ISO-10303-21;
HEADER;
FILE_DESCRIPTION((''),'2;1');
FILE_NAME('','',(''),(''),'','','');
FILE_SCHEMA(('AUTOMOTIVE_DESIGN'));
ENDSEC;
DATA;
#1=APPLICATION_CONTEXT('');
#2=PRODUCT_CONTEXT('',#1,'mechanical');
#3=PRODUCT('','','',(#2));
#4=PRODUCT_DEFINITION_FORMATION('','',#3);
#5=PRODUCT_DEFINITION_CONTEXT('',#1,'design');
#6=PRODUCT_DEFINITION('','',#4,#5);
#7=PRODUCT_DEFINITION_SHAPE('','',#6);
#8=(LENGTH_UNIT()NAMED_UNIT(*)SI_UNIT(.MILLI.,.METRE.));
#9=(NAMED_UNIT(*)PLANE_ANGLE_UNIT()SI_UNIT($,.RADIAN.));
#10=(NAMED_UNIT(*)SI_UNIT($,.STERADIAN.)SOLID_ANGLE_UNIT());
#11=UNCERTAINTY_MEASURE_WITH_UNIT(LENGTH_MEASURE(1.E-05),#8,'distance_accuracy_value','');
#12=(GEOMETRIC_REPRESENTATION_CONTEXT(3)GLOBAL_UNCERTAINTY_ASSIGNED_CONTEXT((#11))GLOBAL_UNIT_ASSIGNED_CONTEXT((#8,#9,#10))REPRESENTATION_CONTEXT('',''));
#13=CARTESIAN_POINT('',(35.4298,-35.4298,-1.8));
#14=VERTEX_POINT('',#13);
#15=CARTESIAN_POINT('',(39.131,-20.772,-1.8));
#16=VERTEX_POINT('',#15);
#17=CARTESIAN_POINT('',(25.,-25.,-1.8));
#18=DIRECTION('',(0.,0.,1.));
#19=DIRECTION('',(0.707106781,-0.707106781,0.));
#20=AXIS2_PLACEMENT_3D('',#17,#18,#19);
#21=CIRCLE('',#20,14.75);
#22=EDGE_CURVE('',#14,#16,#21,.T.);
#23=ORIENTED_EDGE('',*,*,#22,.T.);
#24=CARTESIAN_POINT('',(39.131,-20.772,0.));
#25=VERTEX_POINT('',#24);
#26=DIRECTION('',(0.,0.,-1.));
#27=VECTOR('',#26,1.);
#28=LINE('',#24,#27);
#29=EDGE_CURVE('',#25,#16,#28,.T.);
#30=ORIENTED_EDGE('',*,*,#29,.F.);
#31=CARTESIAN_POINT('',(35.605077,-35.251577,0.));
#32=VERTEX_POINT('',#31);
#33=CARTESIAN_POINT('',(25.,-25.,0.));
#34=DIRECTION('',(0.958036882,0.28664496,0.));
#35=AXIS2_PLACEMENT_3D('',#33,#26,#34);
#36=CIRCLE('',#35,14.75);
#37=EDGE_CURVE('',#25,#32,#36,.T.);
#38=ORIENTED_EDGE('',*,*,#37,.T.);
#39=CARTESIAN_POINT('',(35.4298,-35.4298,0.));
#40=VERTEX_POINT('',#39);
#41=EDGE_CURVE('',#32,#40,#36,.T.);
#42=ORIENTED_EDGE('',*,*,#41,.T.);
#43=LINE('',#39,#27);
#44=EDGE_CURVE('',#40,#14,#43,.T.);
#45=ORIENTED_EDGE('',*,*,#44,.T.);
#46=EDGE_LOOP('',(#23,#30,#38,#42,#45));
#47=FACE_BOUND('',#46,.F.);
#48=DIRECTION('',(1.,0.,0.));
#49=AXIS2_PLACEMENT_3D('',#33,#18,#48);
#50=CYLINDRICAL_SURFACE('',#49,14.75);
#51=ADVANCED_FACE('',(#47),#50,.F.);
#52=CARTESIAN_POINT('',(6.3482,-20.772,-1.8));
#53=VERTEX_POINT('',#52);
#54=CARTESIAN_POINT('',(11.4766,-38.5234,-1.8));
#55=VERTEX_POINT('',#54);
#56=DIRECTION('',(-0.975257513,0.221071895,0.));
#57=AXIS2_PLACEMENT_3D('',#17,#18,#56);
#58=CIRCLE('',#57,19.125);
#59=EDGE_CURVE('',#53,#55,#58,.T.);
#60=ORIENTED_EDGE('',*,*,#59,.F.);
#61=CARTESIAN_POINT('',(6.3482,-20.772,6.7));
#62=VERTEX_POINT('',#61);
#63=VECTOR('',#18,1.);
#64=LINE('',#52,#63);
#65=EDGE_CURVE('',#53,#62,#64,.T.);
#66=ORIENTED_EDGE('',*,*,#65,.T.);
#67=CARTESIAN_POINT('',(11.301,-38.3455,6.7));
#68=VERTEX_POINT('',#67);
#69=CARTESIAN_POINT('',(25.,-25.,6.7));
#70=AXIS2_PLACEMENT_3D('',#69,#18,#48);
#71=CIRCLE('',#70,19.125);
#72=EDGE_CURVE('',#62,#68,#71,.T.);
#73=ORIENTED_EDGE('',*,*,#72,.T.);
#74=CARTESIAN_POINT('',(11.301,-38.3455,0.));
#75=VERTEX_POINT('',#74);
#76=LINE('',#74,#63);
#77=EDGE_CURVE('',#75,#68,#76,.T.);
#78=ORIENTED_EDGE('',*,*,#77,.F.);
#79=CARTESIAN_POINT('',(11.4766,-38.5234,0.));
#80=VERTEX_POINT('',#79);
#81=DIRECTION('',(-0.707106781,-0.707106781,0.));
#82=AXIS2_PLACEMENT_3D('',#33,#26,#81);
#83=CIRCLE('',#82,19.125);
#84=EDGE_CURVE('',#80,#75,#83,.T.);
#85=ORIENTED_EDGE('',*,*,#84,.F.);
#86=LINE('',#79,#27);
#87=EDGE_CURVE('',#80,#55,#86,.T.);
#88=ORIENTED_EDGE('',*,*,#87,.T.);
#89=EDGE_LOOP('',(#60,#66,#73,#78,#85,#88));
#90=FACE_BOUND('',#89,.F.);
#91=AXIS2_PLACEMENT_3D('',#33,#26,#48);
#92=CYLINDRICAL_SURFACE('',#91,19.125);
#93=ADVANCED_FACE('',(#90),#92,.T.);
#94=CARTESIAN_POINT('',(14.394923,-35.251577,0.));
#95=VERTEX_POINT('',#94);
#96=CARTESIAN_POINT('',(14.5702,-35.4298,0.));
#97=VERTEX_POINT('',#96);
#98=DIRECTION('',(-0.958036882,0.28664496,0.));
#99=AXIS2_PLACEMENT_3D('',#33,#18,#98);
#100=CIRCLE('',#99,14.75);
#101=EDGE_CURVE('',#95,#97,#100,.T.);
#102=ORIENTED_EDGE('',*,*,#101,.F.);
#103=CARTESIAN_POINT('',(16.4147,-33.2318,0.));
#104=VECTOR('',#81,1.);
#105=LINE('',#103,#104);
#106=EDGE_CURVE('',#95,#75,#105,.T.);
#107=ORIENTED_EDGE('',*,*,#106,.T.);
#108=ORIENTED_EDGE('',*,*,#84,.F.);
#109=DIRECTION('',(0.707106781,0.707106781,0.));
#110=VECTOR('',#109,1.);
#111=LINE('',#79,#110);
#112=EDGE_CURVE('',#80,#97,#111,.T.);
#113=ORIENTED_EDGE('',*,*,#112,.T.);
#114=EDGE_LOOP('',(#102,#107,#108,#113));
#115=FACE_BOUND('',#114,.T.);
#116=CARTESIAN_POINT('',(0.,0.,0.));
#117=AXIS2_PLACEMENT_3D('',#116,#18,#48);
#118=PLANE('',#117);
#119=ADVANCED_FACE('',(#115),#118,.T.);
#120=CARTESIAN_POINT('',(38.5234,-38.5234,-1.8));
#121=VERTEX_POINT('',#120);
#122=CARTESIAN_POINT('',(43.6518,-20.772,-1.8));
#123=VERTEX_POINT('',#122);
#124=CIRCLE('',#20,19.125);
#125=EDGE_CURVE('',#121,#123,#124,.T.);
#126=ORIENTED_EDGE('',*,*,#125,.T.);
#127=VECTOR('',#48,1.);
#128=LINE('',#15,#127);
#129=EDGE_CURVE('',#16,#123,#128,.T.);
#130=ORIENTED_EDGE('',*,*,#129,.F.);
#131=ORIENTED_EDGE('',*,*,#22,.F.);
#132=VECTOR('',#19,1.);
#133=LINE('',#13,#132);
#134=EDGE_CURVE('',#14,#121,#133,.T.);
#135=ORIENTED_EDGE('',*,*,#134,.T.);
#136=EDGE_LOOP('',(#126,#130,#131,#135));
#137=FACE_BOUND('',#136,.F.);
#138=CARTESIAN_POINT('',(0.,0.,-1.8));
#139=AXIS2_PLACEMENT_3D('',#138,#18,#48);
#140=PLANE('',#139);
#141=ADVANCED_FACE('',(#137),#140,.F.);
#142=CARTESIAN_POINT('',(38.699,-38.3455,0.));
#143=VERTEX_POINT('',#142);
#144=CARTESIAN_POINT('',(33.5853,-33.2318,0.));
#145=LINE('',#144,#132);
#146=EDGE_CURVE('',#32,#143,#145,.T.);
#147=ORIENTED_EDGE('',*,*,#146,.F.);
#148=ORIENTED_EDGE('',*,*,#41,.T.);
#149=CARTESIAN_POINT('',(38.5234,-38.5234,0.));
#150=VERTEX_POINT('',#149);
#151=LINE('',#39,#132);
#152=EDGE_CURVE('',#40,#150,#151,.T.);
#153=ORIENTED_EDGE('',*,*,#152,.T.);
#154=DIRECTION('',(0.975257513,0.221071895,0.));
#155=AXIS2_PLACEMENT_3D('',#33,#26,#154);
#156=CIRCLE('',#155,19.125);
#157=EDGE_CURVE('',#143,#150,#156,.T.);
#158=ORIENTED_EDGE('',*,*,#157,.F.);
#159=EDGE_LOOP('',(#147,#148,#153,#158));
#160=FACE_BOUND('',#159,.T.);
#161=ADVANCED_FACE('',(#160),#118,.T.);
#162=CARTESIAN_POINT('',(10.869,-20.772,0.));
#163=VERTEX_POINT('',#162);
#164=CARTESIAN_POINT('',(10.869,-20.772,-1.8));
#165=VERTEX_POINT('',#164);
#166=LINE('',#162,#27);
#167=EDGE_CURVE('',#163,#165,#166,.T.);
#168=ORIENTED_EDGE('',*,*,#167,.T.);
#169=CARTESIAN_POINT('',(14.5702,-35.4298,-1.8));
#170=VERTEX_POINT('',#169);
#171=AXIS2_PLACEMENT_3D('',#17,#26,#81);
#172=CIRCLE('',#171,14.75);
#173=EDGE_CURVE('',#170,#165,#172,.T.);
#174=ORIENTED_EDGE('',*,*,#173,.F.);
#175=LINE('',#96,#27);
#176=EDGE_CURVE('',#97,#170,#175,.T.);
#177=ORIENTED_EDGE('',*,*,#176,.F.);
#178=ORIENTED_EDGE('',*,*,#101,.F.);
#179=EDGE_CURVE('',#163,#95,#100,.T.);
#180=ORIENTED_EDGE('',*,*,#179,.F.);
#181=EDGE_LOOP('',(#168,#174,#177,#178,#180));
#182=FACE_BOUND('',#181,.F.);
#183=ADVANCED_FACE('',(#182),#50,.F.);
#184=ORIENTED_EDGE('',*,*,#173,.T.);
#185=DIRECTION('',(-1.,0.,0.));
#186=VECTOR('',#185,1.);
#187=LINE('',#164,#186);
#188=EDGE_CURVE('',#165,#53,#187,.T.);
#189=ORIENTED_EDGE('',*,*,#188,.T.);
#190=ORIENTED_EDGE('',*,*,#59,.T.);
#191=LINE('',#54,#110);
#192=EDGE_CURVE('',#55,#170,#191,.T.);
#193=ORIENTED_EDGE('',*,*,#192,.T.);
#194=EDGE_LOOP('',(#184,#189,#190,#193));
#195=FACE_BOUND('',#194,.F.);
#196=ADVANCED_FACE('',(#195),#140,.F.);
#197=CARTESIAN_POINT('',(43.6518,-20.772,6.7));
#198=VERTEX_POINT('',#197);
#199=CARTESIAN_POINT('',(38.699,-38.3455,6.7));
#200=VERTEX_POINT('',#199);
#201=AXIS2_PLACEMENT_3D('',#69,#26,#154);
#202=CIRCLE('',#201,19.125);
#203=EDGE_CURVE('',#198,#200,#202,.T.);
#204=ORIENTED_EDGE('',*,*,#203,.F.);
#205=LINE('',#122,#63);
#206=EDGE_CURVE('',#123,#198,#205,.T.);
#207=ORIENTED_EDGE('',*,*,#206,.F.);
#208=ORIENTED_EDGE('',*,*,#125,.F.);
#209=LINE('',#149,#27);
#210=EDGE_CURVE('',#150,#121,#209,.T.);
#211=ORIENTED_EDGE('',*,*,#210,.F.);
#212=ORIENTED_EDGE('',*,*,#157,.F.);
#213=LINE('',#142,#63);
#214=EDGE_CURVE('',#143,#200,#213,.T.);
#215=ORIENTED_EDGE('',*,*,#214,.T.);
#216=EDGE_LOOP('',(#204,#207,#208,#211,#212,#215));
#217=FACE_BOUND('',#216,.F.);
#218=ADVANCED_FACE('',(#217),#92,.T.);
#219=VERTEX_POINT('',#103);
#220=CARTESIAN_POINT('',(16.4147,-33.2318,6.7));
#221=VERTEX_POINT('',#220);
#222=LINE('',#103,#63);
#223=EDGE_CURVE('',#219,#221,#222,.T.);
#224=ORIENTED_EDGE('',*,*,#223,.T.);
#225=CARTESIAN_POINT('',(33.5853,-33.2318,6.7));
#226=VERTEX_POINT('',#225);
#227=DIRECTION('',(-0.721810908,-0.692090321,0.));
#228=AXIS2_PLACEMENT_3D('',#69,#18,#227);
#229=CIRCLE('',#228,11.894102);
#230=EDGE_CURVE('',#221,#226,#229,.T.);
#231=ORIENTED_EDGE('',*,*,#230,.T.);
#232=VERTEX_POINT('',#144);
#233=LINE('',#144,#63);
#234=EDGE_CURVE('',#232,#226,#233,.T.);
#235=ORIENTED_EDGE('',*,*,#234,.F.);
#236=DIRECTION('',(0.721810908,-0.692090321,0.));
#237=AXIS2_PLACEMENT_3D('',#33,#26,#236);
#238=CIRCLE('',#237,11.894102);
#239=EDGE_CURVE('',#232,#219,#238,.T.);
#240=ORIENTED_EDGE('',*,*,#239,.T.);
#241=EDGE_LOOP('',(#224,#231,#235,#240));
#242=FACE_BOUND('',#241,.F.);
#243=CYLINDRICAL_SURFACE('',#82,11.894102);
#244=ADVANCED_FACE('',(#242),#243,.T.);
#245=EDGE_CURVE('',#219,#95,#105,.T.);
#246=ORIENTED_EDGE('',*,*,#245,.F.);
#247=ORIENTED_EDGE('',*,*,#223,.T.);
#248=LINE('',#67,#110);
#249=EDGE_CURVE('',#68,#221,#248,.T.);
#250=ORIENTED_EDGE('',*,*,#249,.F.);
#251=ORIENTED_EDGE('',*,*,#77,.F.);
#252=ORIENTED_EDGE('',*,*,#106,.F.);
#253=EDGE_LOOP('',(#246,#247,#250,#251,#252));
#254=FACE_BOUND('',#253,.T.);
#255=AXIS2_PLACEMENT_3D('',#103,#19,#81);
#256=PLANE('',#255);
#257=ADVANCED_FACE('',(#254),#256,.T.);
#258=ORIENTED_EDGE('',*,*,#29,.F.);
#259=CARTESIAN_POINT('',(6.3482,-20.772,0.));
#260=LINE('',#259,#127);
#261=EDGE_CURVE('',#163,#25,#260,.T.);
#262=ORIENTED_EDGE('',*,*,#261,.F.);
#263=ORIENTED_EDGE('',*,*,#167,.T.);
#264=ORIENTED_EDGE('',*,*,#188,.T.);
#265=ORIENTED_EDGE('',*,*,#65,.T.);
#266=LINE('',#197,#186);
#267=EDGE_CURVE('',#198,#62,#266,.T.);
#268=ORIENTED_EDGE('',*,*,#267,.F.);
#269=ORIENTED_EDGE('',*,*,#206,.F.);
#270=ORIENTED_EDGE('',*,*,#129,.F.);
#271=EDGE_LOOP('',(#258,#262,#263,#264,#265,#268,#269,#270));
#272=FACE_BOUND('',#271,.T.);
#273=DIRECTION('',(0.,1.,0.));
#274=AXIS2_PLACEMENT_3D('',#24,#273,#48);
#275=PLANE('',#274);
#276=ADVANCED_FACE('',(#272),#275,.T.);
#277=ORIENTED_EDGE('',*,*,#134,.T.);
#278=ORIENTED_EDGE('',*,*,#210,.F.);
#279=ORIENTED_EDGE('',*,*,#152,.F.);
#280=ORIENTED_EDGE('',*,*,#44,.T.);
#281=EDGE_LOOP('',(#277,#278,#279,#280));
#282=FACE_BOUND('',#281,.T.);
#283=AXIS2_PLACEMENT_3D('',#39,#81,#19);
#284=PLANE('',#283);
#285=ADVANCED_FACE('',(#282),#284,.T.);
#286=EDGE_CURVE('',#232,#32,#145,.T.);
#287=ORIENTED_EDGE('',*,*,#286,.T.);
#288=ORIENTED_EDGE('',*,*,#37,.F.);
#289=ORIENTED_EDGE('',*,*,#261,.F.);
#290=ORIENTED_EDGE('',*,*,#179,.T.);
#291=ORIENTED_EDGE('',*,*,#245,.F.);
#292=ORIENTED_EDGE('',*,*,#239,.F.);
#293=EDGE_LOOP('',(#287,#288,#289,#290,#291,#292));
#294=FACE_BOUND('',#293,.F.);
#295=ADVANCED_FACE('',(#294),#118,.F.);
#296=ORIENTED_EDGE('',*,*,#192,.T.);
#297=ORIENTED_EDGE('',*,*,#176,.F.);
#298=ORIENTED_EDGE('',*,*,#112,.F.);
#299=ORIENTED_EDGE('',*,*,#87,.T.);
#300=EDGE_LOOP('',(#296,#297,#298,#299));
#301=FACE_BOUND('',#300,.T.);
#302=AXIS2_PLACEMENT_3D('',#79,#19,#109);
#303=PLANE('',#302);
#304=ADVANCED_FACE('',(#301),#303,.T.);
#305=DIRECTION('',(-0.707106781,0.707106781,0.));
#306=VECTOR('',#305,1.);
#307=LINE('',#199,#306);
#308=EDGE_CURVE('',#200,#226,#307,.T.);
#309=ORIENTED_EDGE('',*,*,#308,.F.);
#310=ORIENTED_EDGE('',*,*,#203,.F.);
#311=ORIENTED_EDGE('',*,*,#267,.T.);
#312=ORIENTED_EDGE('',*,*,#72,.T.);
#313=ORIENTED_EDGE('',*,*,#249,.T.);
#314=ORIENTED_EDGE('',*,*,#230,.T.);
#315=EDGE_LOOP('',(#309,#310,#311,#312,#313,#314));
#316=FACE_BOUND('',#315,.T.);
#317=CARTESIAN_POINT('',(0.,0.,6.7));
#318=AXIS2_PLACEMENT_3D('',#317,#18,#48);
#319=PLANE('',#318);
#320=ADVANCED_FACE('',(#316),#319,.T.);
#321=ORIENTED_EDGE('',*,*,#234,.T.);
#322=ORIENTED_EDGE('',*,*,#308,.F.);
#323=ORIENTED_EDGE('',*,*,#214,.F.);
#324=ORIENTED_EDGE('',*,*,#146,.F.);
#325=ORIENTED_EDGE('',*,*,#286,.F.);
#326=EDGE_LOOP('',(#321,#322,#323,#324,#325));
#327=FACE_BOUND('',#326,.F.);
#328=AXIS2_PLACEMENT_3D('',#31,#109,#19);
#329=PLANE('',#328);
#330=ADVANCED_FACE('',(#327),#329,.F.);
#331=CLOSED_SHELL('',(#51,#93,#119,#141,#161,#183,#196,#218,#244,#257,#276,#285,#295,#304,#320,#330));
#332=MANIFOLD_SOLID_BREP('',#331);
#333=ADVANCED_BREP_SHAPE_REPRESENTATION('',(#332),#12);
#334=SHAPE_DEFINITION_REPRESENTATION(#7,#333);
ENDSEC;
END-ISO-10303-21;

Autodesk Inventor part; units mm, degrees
ref_plane "YZ Plane" through (0, 0, 0) normal (1, 0, 0) x (0, 1, 0)
ref_plane "XZ Plane" through (0, 0, 0) normal (0, 1, 0) x (-1, 0, 0)
ref_plane "XY Plane" through (0, 0, 0) normal (0, 0, 1) x (1, 0, 0)
sketch "Sketch1" plane through (0, 0, 0) normal (0, 0, 1) x (1, 0, 0)
  line L0 (0, 0) -> (50, 0)
  line L1 (50, 0) -> (50, -50)
  line L2 (50, -50) -> (0, -50)
  line L3 (0, -50) -> (0, 0)
  line L4 (2, -2) -> (48, -2)
  line L5 (48, -2) -> (48, -48)
  line L6 (48, -48) -> (2, -48)
  line L7 (2, -48) -> (2, -2)
  line L8 (2, -2) -> (48, -48) construction
  line L9 (48, -2) -> (2, -48) construction
  circle A0 centre (25, -25) radius 19.125
  circle A1 centre (25, -25) radius 14.75
  circle A2 centre (25, -25) radius 4.175
  circle A3 centre (31.678, -18.322) radius 2.45
  circle A4 centre (25, -15.5559) radius 2.45
  circle A5 centre (18.322, -18.322) radius 2.45
  circle A6 centre (15.5559, -25) radius 2.45
  circle A7 centre (18.322, -31.678) radius 2.45
  circle A8 centre (25, -34.4441) radius 2.45
  circle A9 centre (31.678, -31.678) radius 2.45
  circle A10 centre (34.4441, -25) radius 2.45
  line L10 (50, -25) -> (-10.9328, -25) construction
  line L11 (47.5, -2.5) -> (47.5, -17.5)
  line L12 (47.5, -2.5) -> (32.5, -2.5)
  line L13 (32.5, -2.5) -> (47.5, -17.5)
  line L14 (2.5, -17.5) -> (17.5, -2.5)
  line L15 (2.5, -2.5) -> (17.5, -2.5)
  line L16 (2.5, -2.5) -> (2.5, -17.5)
  line L17 (17.5, -47.5) -> (2.5, -32.5)
  line L18 (2.5, -47.5) -> (2.5, -32.5)
  line L19 (2.5, -47.5) -> (17.5, -47.5)
  line L20 (47.5, -32.5) -> (32.5, -47.5)
  line L21 (47.5, -47.5) -> (32.5, -47.5)
  line L22 (47.5, -47.5) -> (47.5, -32.5)
  line L23 (33.4104, -33.4104) -> (35.4298, -35.4298)
  line L24 (16.5896, -16.5896) -> (14.5702, -14.5702)
  line L25 (18.322, -20.772) -> (31.678, -20.772)
  line L26 (39.131, -20.772) -> (43.6518, -20.772)
  line L27 (39.131, -20.772) -> (31.678, -20.772)
  line L28 (18.322, -20.772) -> (10.869, -20.772)
  arc A11 (16.5896, -33.4104) -> (33.4104, -16.5896) centre (25, -25) ccw
  line L29 (10.869, -20.772) -> (6.3482, -20.772)
  arc A12 (16.5896, -16.5896) -> (16.5896, -33.4104) centre (25, -25) ccw
  line L30 (11.4766, -38.5234) -> (14.5702, -35.4298)
  line L31 (16.5896, -33.4104) -> (14.5702, -35.4298)
  line L32 (35.4298, -35.4298) -> (38.5234, -38.5234)
  line L33 (18.322, -31.678) -> (16.4147, -33.2318)
  line L34 (16.4147, -33.2318) -> (11.301, -38.3455)
  line L35 (31.678, -31.678) -> (33.5853, -33.2318)
  line L36 (33.5853, -33.2318) -> (38.699, -38.3455)
  dimension "d4" = 50
  dimension "d5" = 50
  dimension "d6" = 46
  dimension "d7" = 46
  dimension "d8" = 38.25
  dimension "d9" = 29.5
  dimension "d10" = 8.35
  dimension "d11" = 4.9
  dimension "d12" = 360
  dimension "d13" = 2
  dimension "d14" = 2
  dimension "d15" = 15
  dimension "d16" = 15
  dimension "d17" = 2.5
  dimension "d18" = 2.5
  dimension "d19" = 360
  dimension "d24" = 0.25
  dimension "d25" = 0.25
extrude "Extrusion1" add sketch "Sketch1" along normal blind 6.7 contours A0 L36 A1 L26 | L29 A1 L34 A0 | A1 L36 A11 L27 | L28 A12 L34 A1 | A6 | A8 | A10 | A11 L35 A9 A7 L33 A12 L28 L25 L27 | A11 A9 L35 | A9 | L33 A7 A12 | A7 | A2
extrude "Extrusion2" add sketch "Sketch1" against normal blind 1.8 contours A0 L36 A1 L26 | A0 L32 A1 L36 | L29 A1 L34 A0 | L34 A1 L30 A0
sketch "Sketch2" plane through (0, 0, 6.7) normal (0, 0, 1) x (1, 0, 0)
  line L0 (11.3606, -22.3794) -> (41.3606, -22.3794)
  line L1 (41.3606, -22.3794) -> (41.3606, -32.6794)
  line L2 (41.3606, -32.6794) -> (11.3606, -32.6794)
  line L3 (11.3606, -32.6794) -> (11.3606, -22.3794)
  point P0 (0, 0)
  dimension "d26" = 30
  dimension "d27" = 10.3
properties part number "ChargeCoilBrace"
